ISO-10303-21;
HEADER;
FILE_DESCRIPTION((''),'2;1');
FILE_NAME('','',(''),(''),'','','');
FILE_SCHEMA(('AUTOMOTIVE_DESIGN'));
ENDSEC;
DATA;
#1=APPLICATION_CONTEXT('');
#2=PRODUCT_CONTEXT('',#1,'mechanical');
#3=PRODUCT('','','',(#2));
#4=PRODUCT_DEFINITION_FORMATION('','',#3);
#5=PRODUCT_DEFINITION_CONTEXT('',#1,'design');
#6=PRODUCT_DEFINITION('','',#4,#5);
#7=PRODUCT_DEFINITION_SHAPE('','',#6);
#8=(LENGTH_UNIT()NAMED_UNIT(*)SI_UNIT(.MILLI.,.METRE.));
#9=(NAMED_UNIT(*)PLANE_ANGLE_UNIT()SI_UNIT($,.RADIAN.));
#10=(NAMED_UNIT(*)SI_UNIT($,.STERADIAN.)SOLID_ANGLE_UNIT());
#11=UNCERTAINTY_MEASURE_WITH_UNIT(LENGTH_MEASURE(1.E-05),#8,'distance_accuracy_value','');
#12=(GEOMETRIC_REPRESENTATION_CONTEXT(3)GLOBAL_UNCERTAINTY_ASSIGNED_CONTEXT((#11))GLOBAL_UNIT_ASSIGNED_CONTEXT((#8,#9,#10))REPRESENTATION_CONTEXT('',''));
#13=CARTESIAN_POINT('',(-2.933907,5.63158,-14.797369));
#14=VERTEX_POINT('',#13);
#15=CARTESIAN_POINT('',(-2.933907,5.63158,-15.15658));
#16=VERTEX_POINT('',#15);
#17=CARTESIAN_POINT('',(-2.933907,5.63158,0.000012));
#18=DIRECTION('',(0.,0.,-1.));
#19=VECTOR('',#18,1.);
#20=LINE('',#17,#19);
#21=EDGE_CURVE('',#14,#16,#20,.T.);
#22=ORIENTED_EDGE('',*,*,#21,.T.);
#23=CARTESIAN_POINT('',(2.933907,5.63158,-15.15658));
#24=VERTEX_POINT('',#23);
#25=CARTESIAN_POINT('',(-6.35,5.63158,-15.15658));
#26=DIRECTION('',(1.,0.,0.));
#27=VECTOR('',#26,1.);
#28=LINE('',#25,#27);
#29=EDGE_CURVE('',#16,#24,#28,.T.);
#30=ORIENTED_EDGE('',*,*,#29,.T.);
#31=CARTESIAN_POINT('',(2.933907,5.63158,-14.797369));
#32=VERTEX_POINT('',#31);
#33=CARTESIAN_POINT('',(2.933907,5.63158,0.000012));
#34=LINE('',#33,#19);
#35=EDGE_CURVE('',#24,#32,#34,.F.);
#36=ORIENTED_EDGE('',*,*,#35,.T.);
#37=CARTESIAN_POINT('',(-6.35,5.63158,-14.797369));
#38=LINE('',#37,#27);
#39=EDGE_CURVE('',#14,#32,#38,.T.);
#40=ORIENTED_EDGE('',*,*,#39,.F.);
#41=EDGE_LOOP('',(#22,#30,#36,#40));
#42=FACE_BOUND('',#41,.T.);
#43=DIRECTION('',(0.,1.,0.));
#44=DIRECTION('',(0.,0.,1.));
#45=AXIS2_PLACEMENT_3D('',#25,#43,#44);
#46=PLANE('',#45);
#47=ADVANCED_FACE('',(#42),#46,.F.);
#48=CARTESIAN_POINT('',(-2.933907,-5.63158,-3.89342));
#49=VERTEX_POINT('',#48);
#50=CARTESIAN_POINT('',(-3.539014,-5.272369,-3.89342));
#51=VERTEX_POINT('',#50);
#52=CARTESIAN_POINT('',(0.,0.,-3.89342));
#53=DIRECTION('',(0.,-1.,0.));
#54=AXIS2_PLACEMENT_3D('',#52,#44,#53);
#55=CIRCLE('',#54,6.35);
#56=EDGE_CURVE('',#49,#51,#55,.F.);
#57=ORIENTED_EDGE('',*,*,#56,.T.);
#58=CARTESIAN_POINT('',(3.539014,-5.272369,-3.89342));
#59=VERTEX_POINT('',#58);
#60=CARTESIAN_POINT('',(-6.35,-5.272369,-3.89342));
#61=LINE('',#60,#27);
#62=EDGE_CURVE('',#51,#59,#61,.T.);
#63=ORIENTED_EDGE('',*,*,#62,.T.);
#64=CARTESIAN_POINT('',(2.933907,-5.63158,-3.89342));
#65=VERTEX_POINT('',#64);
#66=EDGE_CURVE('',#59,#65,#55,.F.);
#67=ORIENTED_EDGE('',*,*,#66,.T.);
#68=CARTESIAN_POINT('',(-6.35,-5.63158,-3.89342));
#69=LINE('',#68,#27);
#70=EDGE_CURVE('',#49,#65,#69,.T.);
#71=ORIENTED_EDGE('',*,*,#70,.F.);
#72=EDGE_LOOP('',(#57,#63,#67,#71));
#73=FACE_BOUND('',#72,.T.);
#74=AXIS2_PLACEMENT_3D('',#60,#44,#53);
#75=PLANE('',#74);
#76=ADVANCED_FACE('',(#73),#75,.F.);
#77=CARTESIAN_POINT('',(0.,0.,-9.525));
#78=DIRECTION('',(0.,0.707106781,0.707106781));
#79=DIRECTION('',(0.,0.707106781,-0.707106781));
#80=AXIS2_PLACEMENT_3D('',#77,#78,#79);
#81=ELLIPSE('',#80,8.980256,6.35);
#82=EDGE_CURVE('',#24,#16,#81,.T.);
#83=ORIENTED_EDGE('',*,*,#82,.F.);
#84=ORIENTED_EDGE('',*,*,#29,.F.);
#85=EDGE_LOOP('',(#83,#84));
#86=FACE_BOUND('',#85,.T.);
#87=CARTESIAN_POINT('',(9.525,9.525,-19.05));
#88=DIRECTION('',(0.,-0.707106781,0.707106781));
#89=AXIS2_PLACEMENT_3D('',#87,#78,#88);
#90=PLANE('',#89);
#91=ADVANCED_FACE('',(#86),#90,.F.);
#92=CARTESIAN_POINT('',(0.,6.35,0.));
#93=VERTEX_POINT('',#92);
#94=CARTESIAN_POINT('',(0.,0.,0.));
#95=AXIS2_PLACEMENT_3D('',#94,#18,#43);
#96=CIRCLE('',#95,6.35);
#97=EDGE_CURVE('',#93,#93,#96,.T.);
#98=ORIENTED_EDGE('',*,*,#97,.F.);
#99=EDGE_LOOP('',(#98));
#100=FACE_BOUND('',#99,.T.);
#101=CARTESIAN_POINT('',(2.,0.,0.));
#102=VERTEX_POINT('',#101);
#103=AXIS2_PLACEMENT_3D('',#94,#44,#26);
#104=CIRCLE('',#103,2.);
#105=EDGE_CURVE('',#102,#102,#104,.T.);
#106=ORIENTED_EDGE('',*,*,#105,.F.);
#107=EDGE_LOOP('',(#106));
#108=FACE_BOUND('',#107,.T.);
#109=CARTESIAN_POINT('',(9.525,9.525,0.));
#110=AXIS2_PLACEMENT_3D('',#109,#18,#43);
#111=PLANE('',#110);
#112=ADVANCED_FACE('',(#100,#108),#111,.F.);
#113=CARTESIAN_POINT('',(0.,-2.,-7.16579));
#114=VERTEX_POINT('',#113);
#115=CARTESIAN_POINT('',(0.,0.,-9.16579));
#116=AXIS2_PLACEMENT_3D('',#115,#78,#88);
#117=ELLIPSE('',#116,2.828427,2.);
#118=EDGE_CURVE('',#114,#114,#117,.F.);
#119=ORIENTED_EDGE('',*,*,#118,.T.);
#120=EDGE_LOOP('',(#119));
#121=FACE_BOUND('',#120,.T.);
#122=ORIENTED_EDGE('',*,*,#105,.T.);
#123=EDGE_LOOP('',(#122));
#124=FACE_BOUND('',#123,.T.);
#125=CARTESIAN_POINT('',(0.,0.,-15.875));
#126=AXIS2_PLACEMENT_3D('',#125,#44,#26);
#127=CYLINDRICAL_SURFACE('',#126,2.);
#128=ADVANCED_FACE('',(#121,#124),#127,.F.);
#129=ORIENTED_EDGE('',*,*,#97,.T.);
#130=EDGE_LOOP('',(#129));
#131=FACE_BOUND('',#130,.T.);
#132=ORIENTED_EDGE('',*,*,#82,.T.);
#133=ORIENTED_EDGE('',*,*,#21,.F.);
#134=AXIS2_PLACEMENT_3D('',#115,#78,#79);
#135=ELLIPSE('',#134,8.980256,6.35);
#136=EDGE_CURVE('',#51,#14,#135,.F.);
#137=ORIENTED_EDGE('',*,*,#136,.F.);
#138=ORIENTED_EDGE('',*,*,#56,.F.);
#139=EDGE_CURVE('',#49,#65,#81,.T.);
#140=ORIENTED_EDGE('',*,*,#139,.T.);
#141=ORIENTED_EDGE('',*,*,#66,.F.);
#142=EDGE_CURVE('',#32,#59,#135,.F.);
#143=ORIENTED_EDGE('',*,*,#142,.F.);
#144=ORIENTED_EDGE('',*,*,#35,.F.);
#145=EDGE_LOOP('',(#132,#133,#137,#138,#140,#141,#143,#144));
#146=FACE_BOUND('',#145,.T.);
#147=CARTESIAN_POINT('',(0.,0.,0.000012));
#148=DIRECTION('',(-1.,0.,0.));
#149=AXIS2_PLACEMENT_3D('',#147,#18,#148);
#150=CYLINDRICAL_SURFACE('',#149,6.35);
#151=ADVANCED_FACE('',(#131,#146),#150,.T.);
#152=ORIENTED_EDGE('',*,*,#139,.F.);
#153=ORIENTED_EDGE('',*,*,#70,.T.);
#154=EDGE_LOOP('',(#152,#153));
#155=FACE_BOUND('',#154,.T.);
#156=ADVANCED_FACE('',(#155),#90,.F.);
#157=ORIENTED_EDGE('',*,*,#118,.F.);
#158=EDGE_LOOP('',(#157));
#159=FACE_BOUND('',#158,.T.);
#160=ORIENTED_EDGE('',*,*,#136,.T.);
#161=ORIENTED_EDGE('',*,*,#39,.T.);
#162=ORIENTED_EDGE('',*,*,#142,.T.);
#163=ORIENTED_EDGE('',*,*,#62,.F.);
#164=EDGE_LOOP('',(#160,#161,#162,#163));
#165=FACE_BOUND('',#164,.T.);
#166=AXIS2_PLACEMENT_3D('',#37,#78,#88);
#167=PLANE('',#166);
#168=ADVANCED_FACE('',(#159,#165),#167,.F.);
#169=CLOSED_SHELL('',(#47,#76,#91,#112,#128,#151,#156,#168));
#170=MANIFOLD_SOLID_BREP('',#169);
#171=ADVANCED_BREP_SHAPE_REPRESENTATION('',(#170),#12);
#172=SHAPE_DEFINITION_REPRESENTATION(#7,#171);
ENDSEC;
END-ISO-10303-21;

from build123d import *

# Parameters (mm, degrees)
BOSS_EXTRUDE1_DEPTH     = 9.525
SKETCH2_OUTSIDE_W       = 27.65
SKETCH2_OUTSIDE_H       = 27.65
SKETCH2_OUTSIDE_R       = 6.35
CUT_EXTRUDE1_DEPTH      = 20.05
CUT_EXTRUDE1_DEPTH_BACK = 1
SKETCH3_R               = 2
CUT_EXTRUDE2_DEPTH      = 16.875
CUT_EXTRUDE6_DEPTH      = 7.35
CUT_EXTRUDE6_DEPTH_BACK = 7.35


with BuildPart() as part:
    # Sketch1 → Boss-Extrude1 (new body, symmetric)
    with BuildSketch(Plane(origin=(0, 0, 0), x_dir=(0, 0, -1), z_dir=(1, 0, 0))):
        Polygon((19.05, 9.525), (0, -9.525), (0, 9.525), align=None)
    extrude(amount=BOSS_EXTRUDE1_DEPTH, both=True)

    # Sketch2 outside → Cut-Extrude1 (cut, two sides)
    with BuildSketch(Plane(origin=(0, -2.789807909, 0), x_dir=(1, 0, 0), z_dir=(0, 0, -1))) as cut_extrude1_sk:
        with Locations((0, -2.79)):
            Rectangle(SKETCH2_OUTSIDE_W, SKETCH2_OUTSIDE_H)
        with Locations((0, -2.789807909)):
            Circle(SKETCH2_OUTSIDE_R, mode=Mode.SUBTRACT)
    extrude(amount=CUT_EXTRUDE1_DEPTH, mode=Mode.SUBTRACT)
    extrude(cut_extrude1_sk.sketch, amount=-CUT_EXTRUDE1_DEPTH_BACK, mode=Mode.SUBTRACT)

    # Sketch3 → Cut-Extrude2 (cut, through all)
    with BuildSketch(Plane.XY):
        Circle(SKETCH3_R)
    extrude(amount=-CUT_EXTRUDE2_DEPTH, mode=Mode.SUBTRACT)

    # Sketch11 → Cut-Extrude6 (cut, two sides)
    with BuildSketch(Plane(origin=(0, 0, 0), x_dir=(0, 0, -1), z_dir=(1, 0, 0))) as cut_extrude6_sk:
        Polygon((15.15657951, 5.63157951), (14.797369265, 5.63157951), (3.89342049, -5.272369265), (3.89342049, -5.63157951), align=None)
    extrude(amount=CUT_EXTRUDE6_DEPTH, mode=Mode.SUBTRACT)
    extrude(cut_extrude6_sk.sketch, amount=-CUT_EXTRUDE6_DEPTH_BACK, mode=Mode.SUBTRACT)


solid = part.part
